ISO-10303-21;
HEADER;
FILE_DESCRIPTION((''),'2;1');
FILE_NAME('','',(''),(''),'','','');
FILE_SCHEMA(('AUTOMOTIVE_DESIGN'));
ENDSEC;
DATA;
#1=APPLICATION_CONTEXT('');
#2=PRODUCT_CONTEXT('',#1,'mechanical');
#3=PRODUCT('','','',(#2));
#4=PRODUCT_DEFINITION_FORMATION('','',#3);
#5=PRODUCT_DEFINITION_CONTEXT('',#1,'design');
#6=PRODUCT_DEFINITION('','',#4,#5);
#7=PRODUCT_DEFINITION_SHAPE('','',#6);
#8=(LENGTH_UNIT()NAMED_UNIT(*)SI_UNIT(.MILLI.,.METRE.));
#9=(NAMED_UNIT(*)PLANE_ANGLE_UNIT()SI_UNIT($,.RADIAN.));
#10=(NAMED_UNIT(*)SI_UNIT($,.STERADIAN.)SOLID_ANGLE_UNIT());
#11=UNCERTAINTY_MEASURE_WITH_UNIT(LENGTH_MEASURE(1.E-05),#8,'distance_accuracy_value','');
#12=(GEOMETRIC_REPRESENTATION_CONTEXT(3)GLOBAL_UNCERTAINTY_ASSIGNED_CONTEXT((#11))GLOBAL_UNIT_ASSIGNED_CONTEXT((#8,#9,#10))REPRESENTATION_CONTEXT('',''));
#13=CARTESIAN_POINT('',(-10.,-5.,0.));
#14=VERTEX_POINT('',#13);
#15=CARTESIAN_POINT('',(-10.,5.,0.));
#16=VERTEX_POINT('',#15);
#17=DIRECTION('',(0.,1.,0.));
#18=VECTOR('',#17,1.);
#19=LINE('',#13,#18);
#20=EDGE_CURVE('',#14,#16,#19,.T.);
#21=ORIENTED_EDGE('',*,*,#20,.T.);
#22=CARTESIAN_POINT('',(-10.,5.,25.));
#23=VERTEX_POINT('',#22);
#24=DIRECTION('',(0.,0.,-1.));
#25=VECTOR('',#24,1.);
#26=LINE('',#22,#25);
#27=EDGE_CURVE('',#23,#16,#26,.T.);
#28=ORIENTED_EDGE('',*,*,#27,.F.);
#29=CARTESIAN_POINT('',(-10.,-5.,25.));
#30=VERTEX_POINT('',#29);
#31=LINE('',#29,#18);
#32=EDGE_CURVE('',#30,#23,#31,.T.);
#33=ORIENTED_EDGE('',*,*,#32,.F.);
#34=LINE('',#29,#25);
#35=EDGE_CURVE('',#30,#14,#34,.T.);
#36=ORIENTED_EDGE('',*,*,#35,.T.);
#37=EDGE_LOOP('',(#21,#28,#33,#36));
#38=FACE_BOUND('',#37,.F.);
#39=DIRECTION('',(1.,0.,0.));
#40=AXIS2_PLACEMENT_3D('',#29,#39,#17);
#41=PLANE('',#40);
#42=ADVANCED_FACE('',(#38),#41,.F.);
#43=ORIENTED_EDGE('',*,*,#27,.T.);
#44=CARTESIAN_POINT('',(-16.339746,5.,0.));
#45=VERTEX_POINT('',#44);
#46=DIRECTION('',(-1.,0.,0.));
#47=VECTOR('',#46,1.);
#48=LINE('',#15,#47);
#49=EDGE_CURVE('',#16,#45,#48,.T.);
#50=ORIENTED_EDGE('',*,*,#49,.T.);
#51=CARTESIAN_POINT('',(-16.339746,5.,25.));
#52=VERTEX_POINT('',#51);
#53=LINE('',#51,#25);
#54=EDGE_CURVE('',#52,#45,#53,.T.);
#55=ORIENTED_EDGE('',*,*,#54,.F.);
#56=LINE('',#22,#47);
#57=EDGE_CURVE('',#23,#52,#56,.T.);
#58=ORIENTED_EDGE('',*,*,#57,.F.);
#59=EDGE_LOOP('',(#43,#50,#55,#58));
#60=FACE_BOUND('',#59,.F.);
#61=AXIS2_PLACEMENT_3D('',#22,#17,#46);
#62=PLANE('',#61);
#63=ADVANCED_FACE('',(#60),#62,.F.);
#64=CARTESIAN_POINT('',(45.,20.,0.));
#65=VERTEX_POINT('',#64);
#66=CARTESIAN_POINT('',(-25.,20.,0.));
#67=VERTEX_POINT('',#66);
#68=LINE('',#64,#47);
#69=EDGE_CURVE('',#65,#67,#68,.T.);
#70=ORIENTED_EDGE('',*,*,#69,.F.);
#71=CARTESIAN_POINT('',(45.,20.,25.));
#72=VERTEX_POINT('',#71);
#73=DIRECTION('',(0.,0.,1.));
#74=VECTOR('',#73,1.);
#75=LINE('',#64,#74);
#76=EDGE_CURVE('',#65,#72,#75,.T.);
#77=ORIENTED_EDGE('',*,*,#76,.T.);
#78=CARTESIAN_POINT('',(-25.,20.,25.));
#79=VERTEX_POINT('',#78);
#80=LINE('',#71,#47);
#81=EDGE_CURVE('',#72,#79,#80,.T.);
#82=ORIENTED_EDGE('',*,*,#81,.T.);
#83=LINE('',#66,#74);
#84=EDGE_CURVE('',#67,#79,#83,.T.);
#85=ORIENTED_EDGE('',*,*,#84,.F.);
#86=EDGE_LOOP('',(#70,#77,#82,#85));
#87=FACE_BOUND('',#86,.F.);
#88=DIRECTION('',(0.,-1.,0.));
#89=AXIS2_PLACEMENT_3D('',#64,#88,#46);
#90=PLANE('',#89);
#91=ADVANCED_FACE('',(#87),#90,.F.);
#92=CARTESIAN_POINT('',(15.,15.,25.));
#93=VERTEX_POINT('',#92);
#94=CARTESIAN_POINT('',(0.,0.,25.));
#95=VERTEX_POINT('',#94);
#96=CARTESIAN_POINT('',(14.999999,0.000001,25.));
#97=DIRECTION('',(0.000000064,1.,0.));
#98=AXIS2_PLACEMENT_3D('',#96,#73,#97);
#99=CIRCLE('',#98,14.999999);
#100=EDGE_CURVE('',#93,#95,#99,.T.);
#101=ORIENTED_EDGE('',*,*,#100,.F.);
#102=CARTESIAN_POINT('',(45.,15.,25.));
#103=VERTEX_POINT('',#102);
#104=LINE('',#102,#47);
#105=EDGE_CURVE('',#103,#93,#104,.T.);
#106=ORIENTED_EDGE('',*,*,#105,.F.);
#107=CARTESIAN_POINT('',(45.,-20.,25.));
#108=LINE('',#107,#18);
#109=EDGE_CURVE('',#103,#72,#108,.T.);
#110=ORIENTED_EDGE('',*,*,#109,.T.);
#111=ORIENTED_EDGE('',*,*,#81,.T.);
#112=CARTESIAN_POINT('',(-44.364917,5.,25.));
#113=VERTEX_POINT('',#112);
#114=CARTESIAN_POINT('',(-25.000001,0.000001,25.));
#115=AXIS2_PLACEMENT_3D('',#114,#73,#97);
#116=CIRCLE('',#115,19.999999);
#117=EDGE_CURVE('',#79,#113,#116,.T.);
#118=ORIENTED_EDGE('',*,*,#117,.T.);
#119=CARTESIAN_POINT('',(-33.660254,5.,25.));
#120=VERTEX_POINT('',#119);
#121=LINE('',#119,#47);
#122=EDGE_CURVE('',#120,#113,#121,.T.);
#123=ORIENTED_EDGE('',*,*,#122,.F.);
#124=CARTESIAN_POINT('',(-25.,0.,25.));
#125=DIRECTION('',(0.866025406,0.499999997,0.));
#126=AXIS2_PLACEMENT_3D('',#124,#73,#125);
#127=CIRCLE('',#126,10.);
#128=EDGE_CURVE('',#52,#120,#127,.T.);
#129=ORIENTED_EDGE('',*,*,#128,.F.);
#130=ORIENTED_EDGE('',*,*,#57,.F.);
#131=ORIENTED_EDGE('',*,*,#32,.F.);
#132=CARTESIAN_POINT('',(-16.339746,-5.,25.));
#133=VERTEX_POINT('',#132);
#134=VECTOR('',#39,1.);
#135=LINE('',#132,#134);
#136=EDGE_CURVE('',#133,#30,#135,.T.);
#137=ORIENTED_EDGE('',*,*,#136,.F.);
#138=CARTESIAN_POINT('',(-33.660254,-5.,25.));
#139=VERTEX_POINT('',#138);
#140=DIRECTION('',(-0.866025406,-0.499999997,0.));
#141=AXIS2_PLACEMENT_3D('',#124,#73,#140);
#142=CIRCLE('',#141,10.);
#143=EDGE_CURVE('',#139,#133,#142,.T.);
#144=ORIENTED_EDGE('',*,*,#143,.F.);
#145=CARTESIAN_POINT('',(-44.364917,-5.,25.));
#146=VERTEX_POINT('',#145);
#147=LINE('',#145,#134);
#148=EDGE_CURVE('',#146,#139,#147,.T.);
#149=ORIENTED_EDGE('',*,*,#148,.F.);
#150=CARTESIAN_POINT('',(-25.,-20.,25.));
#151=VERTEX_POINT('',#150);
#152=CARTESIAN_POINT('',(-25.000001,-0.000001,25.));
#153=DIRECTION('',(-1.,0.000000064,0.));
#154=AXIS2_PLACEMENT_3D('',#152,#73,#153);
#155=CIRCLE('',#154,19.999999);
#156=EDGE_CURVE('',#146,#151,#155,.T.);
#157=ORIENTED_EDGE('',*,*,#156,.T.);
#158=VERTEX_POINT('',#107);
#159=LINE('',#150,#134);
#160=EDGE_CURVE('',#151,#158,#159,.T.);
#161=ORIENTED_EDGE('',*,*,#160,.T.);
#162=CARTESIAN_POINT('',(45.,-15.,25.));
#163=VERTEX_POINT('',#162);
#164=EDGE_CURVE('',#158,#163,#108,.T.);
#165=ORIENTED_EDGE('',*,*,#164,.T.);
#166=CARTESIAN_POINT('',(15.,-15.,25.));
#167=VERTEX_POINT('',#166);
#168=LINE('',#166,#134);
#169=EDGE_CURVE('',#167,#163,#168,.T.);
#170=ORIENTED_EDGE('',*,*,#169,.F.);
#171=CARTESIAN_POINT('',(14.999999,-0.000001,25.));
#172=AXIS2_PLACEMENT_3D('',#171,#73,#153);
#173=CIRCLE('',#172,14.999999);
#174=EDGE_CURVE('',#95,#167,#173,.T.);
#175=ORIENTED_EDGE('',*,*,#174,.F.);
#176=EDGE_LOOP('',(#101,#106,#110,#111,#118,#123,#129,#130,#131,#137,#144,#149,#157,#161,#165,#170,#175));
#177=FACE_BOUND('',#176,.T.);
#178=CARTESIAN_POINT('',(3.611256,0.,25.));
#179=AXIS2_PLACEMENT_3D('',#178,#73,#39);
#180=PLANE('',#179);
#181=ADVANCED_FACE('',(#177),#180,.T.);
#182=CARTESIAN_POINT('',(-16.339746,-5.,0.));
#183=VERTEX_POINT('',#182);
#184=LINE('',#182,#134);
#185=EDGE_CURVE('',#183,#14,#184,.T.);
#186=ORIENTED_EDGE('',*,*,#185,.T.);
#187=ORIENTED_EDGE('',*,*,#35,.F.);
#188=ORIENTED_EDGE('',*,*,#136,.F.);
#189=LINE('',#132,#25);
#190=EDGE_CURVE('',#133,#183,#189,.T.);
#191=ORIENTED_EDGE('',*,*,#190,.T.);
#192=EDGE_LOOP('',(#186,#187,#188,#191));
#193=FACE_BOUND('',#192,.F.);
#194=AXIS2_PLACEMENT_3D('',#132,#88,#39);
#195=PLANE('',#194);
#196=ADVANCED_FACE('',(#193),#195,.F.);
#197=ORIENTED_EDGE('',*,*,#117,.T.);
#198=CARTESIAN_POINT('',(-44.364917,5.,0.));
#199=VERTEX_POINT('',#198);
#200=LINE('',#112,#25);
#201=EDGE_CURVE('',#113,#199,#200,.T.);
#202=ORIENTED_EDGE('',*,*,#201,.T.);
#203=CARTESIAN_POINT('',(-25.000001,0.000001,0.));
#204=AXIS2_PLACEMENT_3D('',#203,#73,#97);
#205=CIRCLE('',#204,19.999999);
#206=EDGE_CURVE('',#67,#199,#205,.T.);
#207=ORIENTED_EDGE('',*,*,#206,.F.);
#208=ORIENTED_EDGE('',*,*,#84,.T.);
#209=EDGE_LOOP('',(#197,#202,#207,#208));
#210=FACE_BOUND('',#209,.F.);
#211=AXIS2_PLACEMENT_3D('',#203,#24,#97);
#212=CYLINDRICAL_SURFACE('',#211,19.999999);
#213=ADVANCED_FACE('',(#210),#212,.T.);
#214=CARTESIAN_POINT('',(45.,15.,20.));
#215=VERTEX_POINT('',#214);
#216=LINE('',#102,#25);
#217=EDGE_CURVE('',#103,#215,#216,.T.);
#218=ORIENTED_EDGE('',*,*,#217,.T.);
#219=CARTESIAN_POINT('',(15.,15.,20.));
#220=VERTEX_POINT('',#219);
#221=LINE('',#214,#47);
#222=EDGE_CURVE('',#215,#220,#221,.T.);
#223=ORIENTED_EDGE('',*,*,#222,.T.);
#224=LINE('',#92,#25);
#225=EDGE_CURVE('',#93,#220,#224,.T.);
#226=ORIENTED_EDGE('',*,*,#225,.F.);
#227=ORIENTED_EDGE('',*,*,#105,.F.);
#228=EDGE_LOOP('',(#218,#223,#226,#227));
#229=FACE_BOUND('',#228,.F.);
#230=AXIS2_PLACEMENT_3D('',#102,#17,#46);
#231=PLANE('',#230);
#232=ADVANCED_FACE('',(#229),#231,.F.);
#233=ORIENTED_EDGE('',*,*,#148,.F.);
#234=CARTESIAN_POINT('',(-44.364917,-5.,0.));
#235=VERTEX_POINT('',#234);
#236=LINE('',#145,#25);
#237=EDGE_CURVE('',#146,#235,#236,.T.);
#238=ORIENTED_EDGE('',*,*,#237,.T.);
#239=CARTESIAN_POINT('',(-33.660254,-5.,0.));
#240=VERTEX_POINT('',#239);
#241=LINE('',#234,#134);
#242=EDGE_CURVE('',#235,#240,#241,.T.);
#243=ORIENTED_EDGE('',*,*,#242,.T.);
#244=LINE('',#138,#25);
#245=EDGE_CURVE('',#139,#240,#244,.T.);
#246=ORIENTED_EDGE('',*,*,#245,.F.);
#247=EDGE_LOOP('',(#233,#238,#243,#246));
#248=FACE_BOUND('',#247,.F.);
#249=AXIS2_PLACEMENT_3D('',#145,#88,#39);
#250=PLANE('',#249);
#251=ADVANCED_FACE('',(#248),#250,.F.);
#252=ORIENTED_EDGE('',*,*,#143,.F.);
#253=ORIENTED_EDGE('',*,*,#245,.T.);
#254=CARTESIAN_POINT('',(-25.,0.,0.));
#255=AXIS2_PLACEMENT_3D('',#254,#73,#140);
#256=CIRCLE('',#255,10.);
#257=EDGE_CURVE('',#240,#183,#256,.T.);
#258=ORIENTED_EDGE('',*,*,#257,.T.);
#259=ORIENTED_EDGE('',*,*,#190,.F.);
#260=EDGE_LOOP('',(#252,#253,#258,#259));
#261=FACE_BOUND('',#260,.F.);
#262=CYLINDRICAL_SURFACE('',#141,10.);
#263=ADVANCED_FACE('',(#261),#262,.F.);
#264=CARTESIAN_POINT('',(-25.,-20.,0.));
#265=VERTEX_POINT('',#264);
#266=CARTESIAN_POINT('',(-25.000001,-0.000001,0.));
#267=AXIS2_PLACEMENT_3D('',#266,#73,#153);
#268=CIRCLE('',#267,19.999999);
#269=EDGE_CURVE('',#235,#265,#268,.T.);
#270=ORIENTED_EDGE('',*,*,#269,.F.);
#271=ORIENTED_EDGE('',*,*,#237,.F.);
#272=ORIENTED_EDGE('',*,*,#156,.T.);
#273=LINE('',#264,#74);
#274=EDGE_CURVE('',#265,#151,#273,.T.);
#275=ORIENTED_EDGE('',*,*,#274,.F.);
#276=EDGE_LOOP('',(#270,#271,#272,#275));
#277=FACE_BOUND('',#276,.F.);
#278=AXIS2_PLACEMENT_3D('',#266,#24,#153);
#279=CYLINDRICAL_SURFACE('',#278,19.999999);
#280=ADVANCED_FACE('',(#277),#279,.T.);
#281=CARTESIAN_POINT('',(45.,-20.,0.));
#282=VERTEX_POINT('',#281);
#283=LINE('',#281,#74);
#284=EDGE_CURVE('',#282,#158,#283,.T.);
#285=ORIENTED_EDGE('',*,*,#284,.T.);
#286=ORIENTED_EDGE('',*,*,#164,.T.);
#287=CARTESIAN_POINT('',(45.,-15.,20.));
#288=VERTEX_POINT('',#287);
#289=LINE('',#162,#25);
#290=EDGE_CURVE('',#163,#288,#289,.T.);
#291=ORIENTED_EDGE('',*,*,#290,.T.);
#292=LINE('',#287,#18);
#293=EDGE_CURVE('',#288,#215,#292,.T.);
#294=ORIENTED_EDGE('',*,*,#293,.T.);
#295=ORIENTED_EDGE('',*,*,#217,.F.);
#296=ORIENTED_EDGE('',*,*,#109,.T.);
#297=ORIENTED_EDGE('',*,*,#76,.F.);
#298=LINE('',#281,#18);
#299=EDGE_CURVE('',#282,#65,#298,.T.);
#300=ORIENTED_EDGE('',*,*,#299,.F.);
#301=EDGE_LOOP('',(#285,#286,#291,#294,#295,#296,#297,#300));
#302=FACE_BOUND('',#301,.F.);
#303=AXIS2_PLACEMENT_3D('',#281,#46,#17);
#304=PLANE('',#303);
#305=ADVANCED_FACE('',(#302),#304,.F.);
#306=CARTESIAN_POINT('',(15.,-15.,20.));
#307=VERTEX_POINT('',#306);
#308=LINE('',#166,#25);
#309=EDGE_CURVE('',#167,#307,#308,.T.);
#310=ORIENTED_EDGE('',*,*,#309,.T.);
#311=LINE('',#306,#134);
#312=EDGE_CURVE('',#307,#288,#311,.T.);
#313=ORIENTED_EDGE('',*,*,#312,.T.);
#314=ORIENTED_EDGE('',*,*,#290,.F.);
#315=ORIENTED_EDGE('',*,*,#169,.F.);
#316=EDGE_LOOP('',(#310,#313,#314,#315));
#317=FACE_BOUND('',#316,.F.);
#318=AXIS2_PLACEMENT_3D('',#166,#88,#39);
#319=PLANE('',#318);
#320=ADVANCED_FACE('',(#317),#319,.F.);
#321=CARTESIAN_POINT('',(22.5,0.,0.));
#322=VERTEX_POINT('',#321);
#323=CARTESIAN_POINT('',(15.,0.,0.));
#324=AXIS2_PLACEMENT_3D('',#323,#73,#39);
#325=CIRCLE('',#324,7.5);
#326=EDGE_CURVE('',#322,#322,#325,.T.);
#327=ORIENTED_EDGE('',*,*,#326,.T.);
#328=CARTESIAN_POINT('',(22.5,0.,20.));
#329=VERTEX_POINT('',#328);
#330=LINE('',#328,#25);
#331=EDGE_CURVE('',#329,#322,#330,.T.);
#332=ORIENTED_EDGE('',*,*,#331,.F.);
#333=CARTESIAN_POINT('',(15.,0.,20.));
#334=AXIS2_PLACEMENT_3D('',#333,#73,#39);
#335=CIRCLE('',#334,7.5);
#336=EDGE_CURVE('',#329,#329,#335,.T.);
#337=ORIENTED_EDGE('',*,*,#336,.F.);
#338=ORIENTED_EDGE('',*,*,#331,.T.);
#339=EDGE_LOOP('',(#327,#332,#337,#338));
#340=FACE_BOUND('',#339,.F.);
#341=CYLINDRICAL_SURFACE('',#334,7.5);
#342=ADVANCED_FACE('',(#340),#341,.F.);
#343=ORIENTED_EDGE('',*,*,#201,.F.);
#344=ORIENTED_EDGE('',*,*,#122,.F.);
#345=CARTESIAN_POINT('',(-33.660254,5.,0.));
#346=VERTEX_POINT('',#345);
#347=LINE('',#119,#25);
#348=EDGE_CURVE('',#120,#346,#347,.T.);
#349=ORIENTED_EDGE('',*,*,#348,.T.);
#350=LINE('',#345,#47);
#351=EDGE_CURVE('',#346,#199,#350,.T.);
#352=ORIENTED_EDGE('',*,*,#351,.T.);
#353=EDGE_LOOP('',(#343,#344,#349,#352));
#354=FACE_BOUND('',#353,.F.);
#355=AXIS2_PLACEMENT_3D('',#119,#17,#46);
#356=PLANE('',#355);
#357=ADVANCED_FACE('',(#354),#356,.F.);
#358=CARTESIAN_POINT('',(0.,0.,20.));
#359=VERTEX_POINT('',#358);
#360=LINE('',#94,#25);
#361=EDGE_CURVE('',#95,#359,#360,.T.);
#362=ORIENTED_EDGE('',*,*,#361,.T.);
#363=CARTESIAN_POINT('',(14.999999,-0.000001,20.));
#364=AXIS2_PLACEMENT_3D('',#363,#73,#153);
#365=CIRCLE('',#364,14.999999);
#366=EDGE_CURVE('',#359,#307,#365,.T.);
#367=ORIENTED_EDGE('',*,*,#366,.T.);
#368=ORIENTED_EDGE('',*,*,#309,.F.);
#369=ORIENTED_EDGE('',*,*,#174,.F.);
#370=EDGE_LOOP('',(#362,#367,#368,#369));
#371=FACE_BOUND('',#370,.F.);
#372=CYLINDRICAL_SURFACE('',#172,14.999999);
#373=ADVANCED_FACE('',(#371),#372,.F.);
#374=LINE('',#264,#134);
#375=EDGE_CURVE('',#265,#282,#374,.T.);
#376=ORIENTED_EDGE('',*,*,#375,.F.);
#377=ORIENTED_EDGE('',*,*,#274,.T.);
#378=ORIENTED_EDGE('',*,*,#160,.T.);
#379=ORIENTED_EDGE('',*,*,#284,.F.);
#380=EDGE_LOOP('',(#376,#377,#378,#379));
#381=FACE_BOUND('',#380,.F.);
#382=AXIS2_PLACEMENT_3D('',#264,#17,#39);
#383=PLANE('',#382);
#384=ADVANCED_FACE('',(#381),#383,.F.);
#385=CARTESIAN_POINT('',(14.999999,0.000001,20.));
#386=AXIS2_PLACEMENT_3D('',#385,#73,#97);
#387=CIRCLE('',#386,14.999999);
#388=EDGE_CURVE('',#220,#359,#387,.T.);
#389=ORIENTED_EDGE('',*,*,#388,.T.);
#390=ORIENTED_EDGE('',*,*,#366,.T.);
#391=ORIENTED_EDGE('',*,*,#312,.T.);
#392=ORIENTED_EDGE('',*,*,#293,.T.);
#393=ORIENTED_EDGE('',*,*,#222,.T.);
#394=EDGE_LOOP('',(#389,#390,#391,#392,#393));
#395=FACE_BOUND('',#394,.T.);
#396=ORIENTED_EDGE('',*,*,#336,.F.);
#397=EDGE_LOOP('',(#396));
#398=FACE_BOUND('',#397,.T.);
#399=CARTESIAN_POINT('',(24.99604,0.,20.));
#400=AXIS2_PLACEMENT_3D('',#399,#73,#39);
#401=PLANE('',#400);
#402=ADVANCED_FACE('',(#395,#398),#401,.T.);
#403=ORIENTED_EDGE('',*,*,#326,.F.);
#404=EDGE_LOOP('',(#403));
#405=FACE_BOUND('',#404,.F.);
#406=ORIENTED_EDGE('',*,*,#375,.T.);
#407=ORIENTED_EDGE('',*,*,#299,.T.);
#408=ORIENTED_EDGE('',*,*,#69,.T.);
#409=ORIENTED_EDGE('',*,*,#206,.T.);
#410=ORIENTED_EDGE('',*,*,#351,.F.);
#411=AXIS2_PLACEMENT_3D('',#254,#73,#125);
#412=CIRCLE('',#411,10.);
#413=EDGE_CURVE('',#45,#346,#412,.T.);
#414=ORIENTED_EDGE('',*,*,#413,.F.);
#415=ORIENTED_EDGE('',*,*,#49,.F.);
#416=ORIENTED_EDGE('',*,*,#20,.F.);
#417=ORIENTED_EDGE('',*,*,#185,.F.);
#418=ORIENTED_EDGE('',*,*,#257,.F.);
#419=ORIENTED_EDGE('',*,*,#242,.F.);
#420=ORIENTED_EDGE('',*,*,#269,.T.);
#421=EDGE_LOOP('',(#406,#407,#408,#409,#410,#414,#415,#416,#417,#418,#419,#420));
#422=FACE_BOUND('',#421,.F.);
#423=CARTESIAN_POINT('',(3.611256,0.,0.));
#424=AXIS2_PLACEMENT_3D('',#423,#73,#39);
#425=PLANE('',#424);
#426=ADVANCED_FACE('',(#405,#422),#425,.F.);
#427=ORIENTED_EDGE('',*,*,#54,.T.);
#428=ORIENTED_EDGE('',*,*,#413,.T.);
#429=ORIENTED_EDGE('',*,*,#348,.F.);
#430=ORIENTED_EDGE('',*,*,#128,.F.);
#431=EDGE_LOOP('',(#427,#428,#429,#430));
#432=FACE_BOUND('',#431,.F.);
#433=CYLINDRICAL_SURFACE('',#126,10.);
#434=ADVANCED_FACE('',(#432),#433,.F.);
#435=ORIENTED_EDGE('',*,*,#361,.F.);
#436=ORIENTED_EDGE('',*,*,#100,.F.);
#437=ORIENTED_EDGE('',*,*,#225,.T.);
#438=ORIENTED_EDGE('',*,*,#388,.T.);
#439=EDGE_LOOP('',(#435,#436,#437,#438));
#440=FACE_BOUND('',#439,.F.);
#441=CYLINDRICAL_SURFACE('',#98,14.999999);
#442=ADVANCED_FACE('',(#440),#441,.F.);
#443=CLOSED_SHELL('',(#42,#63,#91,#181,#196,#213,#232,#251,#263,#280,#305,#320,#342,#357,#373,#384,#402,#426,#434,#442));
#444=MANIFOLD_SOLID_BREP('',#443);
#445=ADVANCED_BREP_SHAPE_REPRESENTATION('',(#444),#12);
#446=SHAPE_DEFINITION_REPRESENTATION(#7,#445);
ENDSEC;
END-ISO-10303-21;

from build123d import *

# Parameters (mm, degrees)
F1_DEPTH = 25
F3_DEPTH = 25
F5_DEPTH = 5
F6_R     = 7.5
F7_DEPTH = 20


with BuildPart() as f1:
    # F0 (on Top) → F1 (new body)
    with BuildSketch(Plane.XY):
        with BuildLine():
            Line((45, -20), (45, 20))
            Line((45, 20), (-25, 20))
            ThreePointArc((-25, 20), (-39.142136, 14.142136), (-45, 0))
            ThreePointArc((-45, 0), (-39.142136, -14.142136), (-25, -20))
            Line((-25, -20), (45, -20))
        make_face()
    extrude(amount=F1_DEPTH)

    # F2 (on face) → F3 (cut, through all)
    with BuildSketch(Plane.XY.offset(25)):
        with BuildLine():
            Line((-44.364917, -5), (-33.660254, -5))
            ThreePointArc((-33.660254, -5), (-25, -10), (-16.339746, -5))
            Line((-16.339746, -5), (-10, -5))
            Line((-10, -5), (-10, 5))
            Line((-10, 5), (-16.339746, 5))
            ThreePointArc((-16.339746, 5), (-25, 10), (-33.660254, 5))
            Line((-33.660254, 5), (-44.364917, 5))
            ThreePointArc((-44.364917, 5), (-45, 0), (-44.364917, -5))
        make_face()
    extrude(amount=-F3_DEPTH, mode=Mode.SUBTRACT)

    # F4 (on face) → F5 (cut)
    with BuildSketch(Plane.XY.offset(25)):
        with BuildLine():
            Line((45, -15), (45, 15))
            Line((45, 15), (15, 15))
            ThreePointArc((15, 15), (4.393398, 10.606602), (0, 0))
            ThreePointArc((0, 0), (4.393398, -10.606602), (15, -15))
            Line((15, -15), (45, -15))
        make_face()
    extrude(amount=-F5_DEPTH, mode=Mode.SUBTRACT)

    # F6 (on face) → F7 (cut, through all)
    with BuildSketch(Plane.XY.offset(20)):
        with Locations((15, 0)):
            Circle(F6_R)
    extrude(amount=-F7_DEPTH, mode=Mode.SUBTRACT)


solid = f1.part
